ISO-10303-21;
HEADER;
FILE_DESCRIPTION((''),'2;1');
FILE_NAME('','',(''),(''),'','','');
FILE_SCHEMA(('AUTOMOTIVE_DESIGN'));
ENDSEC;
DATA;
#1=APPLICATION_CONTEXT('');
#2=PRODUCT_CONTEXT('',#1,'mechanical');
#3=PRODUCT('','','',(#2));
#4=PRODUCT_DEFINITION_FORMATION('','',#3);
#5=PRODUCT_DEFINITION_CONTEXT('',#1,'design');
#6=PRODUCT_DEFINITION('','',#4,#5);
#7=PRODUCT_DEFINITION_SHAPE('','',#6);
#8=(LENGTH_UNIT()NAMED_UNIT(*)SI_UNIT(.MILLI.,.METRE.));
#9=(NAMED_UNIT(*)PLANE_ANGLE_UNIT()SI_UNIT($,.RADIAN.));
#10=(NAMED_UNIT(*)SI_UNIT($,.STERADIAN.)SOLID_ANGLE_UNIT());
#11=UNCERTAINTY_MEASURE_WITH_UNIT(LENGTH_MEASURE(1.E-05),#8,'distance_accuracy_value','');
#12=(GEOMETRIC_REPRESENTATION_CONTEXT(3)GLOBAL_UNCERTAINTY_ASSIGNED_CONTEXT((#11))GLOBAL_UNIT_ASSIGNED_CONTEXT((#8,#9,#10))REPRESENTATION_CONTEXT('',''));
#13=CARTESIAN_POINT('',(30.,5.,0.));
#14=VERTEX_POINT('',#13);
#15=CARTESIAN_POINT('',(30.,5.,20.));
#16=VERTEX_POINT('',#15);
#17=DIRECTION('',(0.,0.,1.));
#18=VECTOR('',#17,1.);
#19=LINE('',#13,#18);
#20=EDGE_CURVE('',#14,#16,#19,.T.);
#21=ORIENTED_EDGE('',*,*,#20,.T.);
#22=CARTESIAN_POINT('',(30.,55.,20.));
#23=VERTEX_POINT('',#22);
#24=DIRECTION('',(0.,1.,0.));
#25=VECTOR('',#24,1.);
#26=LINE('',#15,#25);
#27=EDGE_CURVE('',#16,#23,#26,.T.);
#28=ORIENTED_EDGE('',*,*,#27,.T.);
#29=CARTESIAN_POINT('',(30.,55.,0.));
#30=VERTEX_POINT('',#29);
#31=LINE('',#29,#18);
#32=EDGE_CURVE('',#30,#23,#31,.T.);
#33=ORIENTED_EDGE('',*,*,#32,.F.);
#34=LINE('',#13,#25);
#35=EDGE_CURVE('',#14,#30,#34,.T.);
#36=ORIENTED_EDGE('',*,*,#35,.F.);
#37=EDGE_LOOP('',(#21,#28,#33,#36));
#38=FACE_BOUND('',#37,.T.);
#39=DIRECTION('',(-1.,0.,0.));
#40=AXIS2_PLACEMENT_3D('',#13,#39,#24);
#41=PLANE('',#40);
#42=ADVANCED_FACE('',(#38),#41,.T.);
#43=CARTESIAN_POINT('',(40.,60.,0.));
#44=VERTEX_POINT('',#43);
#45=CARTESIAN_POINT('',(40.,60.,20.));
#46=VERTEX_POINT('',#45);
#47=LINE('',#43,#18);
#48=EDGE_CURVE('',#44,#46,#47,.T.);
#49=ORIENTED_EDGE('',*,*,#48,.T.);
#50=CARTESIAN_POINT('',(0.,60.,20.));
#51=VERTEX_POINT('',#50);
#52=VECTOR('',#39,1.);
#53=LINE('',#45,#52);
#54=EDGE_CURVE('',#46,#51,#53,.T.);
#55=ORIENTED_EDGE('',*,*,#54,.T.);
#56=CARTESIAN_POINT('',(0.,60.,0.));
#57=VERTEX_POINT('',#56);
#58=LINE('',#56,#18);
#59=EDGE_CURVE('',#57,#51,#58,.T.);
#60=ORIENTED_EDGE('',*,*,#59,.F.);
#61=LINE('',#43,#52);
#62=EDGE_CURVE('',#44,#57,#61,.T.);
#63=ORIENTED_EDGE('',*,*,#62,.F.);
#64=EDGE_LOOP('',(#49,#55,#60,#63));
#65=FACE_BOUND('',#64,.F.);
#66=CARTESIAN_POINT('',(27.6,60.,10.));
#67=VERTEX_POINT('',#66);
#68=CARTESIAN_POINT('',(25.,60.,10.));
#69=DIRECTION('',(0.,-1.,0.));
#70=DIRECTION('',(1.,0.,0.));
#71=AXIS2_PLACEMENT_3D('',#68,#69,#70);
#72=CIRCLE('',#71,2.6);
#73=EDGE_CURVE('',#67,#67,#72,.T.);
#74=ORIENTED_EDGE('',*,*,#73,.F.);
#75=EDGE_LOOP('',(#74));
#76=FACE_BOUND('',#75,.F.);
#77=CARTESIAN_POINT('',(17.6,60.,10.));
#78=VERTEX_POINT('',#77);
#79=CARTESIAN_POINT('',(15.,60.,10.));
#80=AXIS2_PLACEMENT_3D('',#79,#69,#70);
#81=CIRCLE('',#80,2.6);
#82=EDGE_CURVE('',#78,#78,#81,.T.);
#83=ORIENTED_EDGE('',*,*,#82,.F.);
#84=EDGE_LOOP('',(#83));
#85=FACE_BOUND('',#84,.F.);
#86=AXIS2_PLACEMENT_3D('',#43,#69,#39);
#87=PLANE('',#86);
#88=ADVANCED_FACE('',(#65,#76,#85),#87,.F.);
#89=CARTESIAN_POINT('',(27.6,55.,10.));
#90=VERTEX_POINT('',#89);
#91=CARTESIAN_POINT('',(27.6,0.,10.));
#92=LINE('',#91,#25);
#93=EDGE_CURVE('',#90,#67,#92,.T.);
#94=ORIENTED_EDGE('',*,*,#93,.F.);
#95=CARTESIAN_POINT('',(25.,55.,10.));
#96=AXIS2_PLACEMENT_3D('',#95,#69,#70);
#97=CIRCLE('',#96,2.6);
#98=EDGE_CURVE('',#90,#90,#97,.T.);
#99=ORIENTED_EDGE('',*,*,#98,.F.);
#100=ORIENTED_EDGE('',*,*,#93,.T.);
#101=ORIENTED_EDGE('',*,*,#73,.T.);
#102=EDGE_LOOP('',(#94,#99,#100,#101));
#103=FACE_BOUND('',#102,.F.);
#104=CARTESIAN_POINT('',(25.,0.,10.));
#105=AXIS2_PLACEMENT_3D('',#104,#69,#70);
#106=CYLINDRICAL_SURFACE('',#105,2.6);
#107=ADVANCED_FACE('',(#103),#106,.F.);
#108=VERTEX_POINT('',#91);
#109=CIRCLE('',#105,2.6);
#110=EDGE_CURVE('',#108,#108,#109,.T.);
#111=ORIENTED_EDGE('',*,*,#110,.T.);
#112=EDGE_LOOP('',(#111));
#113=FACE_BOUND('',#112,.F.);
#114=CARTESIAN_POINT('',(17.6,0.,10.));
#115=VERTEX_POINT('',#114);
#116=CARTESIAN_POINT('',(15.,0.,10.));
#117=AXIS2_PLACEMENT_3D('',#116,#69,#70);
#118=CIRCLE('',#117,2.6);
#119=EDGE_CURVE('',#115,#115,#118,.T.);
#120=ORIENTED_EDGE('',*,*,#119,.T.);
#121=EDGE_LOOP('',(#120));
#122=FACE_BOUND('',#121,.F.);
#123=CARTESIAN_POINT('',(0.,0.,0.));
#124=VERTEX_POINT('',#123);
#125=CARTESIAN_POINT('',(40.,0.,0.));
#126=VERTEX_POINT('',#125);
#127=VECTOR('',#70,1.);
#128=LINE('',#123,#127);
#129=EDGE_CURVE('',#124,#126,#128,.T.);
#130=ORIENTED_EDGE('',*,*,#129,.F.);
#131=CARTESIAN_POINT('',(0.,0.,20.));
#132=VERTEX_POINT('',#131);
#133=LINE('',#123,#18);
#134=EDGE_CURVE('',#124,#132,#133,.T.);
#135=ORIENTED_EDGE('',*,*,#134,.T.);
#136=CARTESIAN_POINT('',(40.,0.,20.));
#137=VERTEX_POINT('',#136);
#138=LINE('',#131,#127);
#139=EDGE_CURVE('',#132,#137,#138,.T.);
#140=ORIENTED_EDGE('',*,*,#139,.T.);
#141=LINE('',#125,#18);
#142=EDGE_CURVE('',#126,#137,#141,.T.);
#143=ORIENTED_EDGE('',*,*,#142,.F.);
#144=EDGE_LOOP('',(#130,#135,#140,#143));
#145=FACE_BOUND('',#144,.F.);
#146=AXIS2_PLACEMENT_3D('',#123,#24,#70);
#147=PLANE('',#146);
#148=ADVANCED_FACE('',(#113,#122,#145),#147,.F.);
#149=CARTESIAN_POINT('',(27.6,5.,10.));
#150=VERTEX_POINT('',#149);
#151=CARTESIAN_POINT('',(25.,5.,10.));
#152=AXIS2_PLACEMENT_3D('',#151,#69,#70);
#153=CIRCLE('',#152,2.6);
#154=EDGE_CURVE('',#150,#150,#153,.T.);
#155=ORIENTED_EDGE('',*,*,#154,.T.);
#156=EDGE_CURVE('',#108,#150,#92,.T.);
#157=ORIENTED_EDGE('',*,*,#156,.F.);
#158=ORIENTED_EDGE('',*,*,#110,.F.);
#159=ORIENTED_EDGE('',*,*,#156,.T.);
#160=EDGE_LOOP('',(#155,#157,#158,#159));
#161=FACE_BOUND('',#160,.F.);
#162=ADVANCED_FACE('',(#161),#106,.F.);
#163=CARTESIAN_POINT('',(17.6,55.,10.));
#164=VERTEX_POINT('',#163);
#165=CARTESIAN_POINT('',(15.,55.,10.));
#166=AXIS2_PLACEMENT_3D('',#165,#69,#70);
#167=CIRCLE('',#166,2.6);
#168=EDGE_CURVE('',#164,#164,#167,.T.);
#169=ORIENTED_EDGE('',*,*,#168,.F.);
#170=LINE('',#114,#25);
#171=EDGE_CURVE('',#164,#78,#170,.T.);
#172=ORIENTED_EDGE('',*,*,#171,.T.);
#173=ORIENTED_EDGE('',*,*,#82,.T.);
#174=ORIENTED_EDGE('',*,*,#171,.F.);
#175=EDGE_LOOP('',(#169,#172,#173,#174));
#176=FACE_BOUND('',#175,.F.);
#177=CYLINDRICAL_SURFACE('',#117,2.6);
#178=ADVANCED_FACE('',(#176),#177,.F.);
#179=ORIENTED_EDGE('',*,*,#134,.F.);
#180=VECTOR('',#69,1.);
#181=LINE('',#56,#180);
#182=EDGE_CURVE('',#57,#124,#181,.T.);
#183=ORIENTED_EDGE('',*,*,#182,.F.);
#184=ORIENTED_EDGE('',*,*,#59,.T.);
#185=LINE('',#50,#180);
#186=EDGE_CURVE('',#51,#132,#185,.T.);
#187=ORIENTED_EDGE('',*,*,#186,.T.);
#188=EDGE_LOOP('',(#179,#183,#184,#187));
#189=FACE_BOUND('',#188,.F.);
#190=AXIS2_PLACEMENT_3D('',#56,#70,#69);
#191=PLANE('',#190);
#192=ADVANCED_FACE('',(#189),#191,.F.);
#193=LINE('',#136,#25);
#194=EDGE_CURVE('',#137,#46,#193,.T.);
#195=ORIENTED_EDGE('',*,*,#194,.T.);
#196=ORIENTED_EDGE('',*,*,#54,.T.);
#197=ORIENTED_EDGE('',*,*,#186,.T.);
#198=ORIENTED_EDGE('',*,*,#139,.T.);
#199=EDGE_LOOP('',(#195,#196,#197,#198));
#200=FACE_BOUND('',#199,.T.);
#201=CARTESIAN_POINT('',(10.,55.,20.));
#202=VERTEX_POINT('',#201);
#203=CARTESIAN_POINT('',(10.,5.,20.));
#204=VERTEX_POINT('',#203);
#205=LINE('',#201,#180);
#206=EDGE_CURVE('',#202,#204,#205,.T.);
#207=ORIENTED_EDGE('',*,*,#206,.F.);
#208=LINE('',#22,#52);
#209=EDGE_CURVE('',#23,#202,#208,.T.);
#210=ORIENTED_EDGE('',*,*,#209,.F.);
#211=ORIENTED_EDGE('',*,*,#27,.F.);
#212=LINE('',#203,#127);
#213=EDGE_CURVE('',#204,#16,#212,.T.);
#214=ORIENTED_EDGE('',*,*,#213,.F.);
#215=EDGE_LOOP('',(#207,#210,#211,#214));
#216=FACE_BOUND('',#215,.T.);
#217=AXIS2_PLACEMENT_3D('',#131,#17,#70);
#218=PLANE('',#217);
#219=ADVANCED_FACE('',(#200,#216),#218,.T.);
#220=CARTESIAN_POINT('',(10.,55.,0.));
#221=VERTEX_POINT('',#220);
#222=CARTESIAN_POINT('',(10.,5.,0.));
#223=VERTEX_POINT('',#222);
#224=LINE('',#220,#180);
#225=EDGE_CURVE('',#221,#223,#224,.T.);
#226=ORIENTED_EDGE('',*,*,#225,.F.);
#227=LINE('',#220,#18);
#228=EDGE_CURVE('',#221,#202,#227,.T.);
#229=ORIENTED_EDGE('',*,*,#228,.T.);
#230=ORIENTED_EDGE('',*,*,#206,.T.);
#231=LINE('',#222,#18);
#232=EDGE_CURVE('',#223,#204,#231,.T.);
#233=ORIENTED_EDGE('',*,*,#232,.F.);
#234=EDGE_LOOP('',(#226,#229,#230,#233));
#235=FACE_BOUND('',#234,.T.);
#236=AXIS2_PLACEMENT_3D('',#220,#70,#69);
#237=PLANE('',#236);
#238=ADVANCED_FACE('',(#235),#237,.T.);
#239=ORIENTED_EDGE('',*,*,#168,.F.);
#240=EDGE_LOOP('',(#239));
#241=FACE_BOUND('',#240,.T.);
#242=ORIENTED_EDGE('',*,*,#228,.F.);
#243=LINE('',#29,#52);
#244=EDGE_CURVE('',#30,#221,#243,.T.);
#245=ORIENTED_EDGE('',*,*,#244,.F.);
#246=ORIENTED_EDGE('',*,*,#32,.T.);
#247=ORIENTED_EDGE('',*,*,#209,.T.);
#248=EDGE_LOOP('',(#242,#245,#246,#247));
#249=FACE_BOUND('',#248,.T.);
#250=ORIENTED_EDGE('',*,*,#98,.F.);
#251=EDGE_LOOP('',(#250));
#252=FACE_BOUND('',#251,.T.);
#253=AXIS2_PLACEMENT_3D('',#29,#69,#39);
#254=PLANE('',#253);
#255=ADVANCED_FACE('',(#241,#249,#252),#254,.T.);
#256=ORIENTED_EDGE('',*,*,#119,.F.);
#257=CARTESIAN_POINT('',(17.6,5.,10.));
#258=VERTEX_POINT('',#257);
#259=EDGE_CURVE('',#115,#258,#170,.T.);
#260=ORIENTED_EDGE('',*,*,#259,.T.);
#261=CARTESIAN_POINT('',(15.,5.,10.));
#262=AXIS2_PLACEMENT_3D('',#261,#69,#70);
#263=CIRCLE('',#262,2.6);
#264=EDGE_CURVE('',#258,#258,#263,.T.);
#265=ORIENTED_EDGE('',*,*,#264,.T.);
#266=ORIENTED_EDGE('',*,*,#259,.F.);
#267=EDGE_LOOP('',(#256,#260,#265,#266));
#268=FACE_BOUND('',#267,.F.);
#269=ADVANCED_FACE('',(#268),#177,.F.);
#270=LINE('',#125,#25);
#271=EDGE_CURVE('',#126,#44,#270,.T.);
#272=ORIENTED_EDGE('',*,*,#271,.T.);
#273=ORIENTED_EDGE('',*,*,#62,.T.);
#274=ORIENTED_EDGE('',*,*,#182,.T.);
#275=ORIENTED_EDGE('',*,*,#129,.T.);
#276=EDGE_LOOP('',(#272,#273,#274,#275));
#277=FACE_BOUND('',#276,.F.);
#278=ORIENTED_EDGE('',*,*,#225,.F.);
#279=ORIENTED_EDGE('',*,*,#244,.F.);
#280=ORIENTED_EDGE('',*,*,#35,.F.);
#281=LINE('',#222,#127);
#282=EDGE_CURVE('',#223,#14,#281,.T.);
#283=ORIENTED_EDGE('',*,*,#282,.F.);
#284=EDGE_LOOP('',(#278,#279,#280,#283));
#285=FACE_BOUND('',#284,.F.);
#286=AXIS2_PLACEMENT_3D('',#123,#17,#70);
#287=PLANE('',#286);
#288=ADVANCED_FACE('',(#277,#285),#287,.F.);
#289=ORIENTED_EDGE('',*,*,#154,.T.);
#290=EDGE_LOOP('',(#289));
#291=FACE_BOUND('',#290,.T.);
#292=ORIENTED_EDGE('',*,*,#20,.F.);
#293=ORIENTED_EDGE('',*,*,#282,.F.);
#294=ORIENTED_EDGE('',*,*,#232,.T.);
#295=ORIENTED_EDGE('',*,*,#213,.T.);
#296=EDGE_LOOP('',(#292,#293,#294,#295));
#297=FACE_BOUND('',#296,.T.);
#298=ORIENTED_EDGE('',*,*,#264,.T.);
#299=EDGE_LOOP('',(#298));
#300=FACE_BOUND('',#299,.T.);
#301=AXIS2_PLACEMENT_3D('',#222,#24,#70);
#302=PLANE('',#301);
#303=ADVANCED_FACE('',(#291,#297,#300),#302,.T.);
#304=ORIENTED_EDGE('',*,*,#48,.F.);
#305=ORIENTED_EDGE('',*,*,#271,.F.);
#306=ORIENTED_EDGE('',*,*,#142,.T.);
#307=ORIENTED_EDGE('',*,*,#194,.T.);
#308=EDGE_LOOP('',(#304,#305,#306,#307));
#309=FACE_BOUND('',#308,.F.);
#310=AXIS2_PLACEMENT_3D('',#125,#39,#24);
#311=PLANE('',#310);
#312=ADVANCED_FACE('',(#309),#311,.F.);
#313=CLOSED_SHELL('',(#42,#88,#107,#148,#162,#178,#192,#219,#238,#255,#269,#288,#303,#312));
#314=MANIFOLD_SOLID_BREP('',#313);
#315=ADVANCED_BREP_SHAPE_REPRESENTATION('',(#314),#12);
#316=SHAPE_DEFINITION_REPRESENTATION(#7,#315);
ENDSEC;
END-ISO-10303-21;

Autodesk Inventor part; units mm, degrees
ref_plane "YZ Plane" through (0, 0, 0) normal (1, 0, 0) x (0, 1, 0)
ref_plane "XZ Plane" through (0, 0, 0) normal (0, 1, 0) x (-1, 0, 0)
sketch "스케치1" plane through (0, 0, 0) normal (0, 0, 1) x (1, 0, 0)
  line L0 (0, 0) -> (40, 0)
  line L1 (40, 0) -> (40, 60)
  line L2 (40, 60) -> (0, 60)
  line L3 (0, 60) -> (0, 0)
  line L4 (10, 5) -> (30, 5)
  line L5 (30, 5) -> (30, 55)
  line L6 (30, 55) -> (10, 55)
  line L7 (10, 55) -> (10, 5)
  point P0 (20, 55)
  point P1 (20, 60)
  point P2 (10, 30)
  point P3 (0, 30)
  dimension "d0" = 60
  dimension "d1" = 40
  dimension "d4" = 5
  dimension "d5" = 10
extrude "돌출1" add sketch "스케치1" along normal blind 20 contours L3 L2 L1 L0 | L7 L6 L5 L4
extrude "돌출2" cut sketch "스케치1" along normal blind 20 contours L7 L6 L5 L4
sketch "스케치2" plane through (0, 0, 0) normal (0, -1, 0) x (1, 0, 0)
  line L0 (10, 0) -> (10, 20) projected
  line L1 (0, 0) -> (40, 0) projected
  line L2 (40, 0) -> (40, 20) projected
  line L3 (0, 20) -> (40, 20) projected
  line L4 (0, 0) -> (0, 20) projected
  line L5 (30, 0) -> (30, 20) projected
  circle A0 centre (15, 10) radius 2.6
  circle A1 centre (25, 10) radius 2.6
  point P0 (10, 10)
  point P1 (20, 20)
  dimension "d11" = 5.2
  dimension "d12" = 5.2
  dimension "d13" = 10
  dimension "d14" = 5
extrude "돌출3" cut sketch "스케치2" against normal through all contours A0 | A1
ref_plane "작업 평면1" through (0, 30, 0) normal (0, -1, 0) x (1, 0, 0)
properties part number "다리 연결 부품"
